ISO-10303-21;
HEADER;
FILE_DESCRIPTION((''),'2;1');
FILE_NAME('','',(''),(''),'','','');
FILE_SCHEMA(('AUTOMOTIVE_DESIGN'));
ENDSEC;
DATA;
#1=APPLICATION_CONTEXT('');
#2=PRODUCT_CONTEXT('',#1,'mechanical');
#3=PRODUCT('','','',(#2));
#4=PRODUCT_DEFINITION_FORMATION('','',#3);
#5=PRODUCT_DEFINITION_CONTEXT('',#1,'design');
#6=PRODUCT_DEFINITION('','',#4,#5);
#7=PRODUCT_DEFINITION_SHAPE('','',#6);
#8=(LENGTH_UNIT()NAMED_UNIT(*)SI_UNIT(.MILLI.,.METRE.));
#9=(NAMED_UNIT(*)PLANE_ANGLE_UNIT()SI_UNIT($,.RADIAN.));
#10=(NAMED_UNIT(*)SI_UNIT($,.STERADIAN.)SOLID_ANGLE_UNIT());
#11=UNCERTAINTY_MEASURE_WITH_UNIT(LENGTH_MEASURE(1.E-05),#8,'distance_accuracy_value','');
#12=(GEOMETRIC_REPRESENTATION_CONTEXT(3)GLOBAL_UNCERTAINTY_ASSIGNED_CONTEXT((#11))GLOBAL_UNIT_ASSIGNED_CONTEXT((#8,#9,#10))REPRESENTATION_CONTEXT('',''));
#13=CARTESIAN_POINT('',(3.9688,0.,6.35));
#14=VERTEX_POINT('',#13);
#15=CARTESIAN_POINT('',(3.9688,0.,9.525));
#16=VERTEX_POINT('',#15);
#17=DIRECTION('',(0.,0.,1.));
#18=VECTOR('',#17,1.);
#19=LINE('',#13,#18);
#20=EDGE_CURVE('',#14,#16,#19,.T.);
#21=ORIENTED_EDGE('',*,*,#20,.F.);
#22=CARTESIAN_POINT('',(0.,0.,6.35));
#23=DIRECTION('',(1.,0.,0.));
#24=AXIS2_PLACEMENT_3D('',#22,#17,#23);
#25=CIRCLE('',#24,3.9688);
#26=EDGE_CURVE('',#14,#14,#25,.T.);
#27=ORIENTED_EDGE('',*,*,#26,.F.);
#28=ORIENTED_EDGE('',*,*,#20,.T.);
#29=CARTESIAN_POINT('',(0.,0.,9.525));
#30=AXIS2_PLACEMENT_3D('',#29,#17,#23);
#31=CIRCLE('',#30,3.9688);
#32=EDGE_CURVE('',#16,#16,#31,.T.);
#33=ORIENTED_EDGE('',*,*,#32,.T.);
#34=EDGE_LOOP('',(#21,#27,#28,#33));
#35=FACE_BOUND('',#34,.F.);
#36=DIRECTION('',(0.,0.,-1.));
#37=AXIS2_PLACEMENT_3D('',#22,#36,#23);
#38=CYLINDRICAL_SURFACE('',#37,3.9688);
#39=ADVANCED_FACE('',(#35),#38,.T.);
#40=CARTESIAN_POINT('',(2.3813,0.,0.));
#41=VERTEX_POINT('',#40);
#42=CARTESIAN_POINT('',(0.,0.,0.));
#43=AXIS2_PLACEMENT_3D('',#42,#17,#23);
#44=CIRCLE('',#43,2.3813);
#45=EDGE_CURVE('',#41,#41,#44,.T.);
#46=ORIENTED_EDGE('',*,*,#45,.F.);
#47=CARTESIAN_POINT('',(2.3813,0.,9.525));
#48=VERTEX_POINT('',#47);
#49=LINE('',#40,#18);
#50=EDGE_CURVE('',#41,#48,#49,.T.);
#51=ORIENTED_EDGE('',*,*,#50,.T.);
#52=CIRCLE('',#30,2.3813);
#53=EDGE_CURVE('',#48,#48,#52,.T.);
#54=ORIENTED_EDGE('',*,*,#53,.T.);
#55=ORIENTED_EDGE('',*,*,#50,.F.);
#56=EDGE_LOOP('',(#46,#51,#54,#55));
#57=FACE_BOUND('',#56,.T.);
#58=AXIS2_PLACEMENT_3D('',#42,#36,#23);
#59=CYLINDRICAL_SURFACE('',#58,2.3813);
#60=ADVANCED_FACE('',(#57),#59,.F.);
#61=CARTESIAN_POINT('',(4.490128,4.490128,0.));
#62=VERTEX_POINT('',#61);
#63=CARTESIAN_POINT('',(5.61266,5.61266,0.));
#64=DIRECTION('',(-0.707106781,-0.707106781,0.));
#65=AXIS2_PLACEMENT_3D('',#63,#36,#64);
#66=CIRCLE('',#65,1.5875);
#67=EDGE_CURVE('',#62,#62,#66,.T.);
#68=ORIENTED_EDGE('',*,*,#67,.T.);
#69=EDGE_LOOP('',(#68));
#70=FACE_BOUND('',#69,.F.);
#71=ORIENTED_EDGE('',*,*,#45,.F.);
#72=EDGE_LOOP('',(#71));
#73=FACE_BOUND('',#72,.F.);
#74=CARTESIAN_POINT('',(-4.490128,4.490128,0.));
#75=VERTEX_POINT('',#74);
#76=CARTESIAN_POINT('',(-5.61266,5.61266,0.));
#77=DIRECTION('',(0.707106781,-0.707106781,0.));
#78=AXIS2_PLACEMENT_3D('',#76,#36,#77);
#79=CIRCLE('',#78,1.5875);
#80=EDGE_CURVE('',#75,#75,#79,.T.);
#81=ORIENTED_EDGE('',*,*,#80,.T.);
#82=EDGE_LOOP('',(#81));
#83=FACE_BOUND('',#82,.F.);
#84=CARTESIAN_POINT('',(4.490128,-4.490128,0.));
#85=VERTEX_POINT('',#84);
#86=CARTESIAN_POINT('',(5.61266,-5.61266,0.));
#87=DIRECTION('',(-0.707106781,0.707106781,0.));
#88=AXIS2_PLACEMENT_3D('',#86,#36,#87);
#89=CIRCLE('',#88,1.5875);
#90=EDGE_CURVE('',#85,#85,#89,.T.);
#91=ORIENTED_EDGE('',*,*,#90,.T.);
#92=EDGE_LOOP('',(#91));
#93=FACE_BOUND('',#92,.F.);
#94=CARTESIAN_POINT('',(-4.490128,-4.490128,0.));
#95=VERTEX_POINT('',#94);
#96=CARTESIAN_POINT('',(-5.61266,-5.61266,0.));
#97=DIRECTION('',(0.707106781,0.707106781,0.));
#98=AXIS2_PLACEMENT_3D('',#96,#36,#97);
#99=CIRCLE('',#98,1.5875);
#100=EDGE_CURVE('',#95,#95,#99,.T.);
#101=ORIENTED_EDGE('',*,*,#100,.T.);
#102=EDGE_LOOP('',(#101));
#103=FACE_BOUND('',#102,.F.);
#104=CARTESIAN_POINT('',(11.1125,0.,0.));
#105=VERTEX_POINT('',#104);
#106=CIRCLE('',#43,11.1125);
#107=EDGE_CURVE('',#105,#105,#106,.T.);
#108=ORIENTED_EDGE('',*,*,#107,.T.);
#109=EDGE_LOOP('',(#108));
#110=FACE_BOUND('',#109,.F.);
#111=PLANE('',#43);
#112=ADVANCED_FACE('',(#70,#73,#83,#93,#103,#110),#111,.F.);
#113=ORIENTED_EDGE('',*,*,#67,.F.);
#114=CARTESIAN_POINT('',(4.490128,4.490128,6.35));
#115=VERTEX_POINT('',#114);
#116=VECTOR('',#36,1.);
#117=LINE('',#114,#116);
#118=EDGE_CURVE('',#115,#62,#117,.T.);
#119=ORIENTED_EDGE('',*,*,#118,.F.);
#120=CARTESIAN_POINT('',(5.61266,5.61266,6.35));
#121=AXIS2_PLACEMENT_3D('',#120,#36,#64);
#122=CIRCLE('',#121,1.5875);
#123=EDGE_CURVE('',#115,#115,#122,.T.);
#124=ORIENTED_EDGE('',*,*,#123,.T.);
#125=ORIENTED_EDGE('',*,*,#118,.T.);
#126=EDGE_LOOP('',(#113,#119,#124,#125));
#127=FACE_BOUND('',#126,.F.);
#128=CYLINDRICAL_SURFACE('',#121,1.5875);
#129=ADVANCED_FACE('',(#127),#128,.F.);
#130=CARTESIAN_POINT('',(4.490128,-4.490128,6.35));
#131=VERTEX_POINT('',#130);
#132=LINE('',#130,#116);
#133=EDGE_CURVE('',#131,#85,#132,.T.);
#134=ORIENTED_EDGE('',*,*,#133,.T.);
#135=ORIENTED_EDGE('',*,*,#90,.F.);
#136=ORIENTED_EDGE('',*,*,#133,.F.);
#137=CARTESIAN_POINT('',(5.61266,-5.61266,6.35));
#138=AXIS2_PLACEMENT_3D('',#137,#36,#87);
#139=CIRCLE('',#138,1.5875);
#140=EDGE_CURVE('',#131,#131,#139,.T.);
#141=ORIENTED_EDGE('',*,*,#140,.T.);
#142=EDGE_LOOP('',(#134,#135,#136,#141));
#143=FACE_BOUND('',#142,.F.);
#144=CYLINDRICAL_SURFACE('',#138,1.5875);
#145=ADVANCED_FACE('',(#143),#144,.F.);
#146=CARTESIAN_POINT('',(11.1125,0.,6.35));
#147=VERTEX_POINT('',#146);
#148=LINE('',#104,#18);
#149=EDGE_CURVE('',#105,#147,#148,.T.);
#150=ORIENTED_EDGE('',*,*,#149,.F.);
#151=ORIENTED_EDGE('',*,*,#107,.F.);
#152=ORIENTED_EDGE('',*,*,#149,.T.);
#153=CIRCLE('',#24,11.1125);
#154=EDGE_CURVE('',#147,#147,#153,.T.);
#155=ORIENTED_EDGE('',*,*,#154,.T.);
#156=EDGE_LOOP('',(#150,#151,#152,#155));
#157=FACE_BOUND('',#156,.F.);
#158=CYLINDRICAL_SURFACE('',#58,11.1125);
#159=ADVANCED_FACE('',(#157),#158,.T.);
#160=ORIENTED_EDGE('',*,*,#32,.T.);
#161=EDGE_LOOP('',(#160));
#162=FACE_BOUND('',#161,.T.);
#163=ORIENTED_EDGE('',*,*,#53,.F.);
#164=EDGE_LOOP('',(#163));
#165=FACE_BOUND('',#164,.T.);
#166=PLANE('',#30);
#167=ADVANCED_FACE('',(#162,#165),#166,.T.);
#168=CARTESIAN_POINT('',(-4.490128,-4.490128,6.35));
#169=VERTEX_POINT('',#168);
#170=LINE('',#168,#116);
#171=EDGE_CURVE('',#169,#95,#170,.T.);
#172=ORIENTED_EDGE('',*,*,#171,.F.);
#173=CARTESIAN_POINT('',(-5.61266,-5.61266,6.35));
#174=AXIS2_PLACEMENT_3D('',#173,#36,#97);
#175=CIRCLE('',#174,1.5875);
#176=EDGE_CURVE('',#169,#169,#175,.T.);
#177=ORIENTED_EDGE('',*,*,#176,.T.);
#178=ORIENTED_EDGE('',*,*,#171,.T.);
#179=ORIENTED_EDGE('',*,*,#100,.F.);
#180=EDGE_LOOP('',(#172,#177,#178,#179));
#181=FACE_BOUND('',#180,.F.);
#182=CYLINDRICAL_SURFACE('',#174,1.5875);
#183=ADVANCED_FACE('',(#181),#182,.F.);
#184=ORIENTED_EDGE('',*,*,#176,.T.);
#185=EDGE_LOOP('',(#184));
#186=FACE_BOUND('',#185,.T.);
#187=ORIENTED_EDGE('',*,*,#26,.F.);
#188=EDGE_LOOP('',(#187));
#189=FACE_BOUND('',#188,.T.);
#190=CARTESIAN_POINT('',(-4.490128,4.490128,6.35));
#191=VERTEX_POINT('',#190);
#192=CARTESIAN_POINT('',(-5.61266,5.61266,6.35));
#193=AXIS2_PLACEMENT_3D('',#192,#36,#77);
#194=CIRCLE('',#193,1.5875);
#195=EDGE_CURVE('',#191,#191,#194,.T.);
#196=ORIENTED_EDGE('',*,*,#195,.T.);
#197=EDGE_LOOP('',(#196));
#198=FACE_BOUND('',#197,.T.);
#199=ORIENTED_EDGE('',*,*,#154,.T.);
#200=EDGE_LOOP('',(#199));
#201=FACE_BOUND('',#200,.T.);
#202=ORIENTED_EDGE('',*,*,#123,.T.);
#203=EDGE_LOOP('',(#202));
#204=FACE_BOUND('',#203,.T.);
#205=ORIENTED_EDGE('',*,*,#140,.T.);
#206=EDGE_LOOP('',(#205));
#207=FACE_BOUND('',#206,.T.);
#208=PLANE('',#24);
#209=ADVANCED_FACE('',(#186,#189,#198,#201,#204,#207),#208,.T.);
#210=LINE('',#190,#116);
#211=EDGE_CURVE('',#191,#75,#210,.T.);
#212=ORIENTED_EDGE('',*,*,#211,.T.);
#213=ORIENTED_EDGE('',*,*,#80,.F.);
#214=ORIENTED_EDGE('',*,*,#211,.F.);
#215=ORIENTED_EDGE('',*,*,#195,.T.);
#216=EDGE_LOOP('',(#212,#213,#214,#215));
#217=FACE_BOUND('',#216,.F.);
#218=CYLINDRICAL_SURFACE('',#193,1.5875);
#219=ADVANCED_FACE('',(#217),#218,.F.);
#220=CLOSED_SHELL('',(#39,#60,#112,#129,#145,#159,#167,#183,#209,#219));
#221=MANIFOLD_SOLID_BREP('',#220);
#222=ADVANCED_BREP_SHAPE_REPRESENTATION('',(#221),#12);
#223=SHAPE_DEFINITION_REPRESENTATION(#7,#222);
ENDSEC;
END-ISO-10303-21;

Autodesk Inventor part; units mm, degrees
ref_plane "YZ Plane" through (0, 0, 0) normal (1, 0, 0) x (0, 1, 0)
ref_plane "XZ Plane" through (0, 0, 0) normal (0, 1, 0) x (-1, 0, 0)
ref_plane "XY Plane" through (0, 0, 0) normal (0, 0, 1) x (1, 0, 0)
sketch "Sketch1" plane through (0, 0, 0) normal (0, 0, 1) x (1, 0, 0)
  circle A0 centre (0, 0) radius 11.1125
  circle A1 centre (0, 0) radius 2.3813
  circle A2 centre (0, 7.9375) radius 1.5875
  circle A3 centre (-7.9375, 0) radius 1.5875
  circle A4 centre (0, -7.9375) radius 1.5875
  circle A5 centre (7.9375, 0) radius 1.5875
  dimension "d0" = 22.225
  dimension "d1" = 4.7625
  dimension "d2" = 3.175
  dimension "d3" = 7.9375
  dimension "d6" = 360
extrude "Extrusion1" add sketch "Sketch1" along normal blind 6.35
sketch "Sketch2" plane through (0, 0, 6.35) normal (0, 0, 1) x (1, 0, 0)
  circle A0 centre (0, 0) radius 2.3813 projected
  circle A1 centre (0, 0) radius 11.1125 projected
  circle A2 centre (0, 0) radius 3.9688
  circle A3 centre (0, 0) radius 2.3813
  dimension "d10" = 7.9375
extrude "Extrusion2" add sketch "Sketch2" along normal blind 3.175 contours A2
sketch "Sketch4" plane through (0, 0, 6.35) normal (0, 0, 1) x (1, 0, 0)
  circle A0 centre (0, 0) radius 3.9687 projected
  circle A1 centre (7.9375, 0) radius 1.5875 projected
  circle A2 centre (0, -7.9375) radius 1.5875 projected
  circle A3 centre (-7.9375, 0) radius 1.5875 projected
  circle A4 centre (0, 7.9375) radius 1.5875 projected
  circle A5 centre (0, 7.9375) radius 1.5875
  circle A6 centre (-7.9375, 0) radius 1.5875
  circle A7 centre (0, -7.9375) radius 1.5875
  circle A8 centre (7.9375, 0) radius 1.5875
  dimension "d22" = 360
extrude "Extrusion3" add sketch "Sketch4" against normal blind 6.35 contours A1 | A2 | A3 | A4
sketch "Sketch5" plane through (0, 0, 6.35) normal (0, 0, 1) x (1, 0, 0)
  circle A0 centre (0, 0) radius 3.9687 projected
  circle A1 centre (0, 7.9375) radius 1.5875
  dimension "d26" = 3.175
  dimension "d27" = 7.9375
hole "Hole2" at (0, 7.9375, 6.35) direction (0, 0, -1) diameter 3.175 end through all
pattern_circular "Circular Pattern1" count 8 over 360 about axis through (0, 0, 0) along (0, 0, 1) of "Hole2"
sketch "Sketch6" plane through (0, 0, 6.35) normal (0, 0, 1) x (1, 0, 0)
  circle A0 centre (7.9375, 0) radius 1.5875 projected
  circle A1 centre (0, -7.9375) radius 1.5875 projected
  circle A2 centre (-7.9375, 0) radius 1.5875 projected
  circle A3 centre (0, 7.9375) radius 1.5875 projected
  circle A4 centre (0, 0) radius 3.9687 projected
  circle A5 centre (0, 7.9375) radius 1.5875
  circle A6 centre (-7.9375, 0) radius 1.5875
  circle A7 centre (0, -7.9375) radius 1.5875
  circle A8 centre (7.9375, 0) radius 1.5875
  dimension "d40" = 360
extrude "Extrusion4" add sketch "Sketch6" against normal blind 6.35 contours A0 | A1 | A2 | A3
properties part number "axle hub"
